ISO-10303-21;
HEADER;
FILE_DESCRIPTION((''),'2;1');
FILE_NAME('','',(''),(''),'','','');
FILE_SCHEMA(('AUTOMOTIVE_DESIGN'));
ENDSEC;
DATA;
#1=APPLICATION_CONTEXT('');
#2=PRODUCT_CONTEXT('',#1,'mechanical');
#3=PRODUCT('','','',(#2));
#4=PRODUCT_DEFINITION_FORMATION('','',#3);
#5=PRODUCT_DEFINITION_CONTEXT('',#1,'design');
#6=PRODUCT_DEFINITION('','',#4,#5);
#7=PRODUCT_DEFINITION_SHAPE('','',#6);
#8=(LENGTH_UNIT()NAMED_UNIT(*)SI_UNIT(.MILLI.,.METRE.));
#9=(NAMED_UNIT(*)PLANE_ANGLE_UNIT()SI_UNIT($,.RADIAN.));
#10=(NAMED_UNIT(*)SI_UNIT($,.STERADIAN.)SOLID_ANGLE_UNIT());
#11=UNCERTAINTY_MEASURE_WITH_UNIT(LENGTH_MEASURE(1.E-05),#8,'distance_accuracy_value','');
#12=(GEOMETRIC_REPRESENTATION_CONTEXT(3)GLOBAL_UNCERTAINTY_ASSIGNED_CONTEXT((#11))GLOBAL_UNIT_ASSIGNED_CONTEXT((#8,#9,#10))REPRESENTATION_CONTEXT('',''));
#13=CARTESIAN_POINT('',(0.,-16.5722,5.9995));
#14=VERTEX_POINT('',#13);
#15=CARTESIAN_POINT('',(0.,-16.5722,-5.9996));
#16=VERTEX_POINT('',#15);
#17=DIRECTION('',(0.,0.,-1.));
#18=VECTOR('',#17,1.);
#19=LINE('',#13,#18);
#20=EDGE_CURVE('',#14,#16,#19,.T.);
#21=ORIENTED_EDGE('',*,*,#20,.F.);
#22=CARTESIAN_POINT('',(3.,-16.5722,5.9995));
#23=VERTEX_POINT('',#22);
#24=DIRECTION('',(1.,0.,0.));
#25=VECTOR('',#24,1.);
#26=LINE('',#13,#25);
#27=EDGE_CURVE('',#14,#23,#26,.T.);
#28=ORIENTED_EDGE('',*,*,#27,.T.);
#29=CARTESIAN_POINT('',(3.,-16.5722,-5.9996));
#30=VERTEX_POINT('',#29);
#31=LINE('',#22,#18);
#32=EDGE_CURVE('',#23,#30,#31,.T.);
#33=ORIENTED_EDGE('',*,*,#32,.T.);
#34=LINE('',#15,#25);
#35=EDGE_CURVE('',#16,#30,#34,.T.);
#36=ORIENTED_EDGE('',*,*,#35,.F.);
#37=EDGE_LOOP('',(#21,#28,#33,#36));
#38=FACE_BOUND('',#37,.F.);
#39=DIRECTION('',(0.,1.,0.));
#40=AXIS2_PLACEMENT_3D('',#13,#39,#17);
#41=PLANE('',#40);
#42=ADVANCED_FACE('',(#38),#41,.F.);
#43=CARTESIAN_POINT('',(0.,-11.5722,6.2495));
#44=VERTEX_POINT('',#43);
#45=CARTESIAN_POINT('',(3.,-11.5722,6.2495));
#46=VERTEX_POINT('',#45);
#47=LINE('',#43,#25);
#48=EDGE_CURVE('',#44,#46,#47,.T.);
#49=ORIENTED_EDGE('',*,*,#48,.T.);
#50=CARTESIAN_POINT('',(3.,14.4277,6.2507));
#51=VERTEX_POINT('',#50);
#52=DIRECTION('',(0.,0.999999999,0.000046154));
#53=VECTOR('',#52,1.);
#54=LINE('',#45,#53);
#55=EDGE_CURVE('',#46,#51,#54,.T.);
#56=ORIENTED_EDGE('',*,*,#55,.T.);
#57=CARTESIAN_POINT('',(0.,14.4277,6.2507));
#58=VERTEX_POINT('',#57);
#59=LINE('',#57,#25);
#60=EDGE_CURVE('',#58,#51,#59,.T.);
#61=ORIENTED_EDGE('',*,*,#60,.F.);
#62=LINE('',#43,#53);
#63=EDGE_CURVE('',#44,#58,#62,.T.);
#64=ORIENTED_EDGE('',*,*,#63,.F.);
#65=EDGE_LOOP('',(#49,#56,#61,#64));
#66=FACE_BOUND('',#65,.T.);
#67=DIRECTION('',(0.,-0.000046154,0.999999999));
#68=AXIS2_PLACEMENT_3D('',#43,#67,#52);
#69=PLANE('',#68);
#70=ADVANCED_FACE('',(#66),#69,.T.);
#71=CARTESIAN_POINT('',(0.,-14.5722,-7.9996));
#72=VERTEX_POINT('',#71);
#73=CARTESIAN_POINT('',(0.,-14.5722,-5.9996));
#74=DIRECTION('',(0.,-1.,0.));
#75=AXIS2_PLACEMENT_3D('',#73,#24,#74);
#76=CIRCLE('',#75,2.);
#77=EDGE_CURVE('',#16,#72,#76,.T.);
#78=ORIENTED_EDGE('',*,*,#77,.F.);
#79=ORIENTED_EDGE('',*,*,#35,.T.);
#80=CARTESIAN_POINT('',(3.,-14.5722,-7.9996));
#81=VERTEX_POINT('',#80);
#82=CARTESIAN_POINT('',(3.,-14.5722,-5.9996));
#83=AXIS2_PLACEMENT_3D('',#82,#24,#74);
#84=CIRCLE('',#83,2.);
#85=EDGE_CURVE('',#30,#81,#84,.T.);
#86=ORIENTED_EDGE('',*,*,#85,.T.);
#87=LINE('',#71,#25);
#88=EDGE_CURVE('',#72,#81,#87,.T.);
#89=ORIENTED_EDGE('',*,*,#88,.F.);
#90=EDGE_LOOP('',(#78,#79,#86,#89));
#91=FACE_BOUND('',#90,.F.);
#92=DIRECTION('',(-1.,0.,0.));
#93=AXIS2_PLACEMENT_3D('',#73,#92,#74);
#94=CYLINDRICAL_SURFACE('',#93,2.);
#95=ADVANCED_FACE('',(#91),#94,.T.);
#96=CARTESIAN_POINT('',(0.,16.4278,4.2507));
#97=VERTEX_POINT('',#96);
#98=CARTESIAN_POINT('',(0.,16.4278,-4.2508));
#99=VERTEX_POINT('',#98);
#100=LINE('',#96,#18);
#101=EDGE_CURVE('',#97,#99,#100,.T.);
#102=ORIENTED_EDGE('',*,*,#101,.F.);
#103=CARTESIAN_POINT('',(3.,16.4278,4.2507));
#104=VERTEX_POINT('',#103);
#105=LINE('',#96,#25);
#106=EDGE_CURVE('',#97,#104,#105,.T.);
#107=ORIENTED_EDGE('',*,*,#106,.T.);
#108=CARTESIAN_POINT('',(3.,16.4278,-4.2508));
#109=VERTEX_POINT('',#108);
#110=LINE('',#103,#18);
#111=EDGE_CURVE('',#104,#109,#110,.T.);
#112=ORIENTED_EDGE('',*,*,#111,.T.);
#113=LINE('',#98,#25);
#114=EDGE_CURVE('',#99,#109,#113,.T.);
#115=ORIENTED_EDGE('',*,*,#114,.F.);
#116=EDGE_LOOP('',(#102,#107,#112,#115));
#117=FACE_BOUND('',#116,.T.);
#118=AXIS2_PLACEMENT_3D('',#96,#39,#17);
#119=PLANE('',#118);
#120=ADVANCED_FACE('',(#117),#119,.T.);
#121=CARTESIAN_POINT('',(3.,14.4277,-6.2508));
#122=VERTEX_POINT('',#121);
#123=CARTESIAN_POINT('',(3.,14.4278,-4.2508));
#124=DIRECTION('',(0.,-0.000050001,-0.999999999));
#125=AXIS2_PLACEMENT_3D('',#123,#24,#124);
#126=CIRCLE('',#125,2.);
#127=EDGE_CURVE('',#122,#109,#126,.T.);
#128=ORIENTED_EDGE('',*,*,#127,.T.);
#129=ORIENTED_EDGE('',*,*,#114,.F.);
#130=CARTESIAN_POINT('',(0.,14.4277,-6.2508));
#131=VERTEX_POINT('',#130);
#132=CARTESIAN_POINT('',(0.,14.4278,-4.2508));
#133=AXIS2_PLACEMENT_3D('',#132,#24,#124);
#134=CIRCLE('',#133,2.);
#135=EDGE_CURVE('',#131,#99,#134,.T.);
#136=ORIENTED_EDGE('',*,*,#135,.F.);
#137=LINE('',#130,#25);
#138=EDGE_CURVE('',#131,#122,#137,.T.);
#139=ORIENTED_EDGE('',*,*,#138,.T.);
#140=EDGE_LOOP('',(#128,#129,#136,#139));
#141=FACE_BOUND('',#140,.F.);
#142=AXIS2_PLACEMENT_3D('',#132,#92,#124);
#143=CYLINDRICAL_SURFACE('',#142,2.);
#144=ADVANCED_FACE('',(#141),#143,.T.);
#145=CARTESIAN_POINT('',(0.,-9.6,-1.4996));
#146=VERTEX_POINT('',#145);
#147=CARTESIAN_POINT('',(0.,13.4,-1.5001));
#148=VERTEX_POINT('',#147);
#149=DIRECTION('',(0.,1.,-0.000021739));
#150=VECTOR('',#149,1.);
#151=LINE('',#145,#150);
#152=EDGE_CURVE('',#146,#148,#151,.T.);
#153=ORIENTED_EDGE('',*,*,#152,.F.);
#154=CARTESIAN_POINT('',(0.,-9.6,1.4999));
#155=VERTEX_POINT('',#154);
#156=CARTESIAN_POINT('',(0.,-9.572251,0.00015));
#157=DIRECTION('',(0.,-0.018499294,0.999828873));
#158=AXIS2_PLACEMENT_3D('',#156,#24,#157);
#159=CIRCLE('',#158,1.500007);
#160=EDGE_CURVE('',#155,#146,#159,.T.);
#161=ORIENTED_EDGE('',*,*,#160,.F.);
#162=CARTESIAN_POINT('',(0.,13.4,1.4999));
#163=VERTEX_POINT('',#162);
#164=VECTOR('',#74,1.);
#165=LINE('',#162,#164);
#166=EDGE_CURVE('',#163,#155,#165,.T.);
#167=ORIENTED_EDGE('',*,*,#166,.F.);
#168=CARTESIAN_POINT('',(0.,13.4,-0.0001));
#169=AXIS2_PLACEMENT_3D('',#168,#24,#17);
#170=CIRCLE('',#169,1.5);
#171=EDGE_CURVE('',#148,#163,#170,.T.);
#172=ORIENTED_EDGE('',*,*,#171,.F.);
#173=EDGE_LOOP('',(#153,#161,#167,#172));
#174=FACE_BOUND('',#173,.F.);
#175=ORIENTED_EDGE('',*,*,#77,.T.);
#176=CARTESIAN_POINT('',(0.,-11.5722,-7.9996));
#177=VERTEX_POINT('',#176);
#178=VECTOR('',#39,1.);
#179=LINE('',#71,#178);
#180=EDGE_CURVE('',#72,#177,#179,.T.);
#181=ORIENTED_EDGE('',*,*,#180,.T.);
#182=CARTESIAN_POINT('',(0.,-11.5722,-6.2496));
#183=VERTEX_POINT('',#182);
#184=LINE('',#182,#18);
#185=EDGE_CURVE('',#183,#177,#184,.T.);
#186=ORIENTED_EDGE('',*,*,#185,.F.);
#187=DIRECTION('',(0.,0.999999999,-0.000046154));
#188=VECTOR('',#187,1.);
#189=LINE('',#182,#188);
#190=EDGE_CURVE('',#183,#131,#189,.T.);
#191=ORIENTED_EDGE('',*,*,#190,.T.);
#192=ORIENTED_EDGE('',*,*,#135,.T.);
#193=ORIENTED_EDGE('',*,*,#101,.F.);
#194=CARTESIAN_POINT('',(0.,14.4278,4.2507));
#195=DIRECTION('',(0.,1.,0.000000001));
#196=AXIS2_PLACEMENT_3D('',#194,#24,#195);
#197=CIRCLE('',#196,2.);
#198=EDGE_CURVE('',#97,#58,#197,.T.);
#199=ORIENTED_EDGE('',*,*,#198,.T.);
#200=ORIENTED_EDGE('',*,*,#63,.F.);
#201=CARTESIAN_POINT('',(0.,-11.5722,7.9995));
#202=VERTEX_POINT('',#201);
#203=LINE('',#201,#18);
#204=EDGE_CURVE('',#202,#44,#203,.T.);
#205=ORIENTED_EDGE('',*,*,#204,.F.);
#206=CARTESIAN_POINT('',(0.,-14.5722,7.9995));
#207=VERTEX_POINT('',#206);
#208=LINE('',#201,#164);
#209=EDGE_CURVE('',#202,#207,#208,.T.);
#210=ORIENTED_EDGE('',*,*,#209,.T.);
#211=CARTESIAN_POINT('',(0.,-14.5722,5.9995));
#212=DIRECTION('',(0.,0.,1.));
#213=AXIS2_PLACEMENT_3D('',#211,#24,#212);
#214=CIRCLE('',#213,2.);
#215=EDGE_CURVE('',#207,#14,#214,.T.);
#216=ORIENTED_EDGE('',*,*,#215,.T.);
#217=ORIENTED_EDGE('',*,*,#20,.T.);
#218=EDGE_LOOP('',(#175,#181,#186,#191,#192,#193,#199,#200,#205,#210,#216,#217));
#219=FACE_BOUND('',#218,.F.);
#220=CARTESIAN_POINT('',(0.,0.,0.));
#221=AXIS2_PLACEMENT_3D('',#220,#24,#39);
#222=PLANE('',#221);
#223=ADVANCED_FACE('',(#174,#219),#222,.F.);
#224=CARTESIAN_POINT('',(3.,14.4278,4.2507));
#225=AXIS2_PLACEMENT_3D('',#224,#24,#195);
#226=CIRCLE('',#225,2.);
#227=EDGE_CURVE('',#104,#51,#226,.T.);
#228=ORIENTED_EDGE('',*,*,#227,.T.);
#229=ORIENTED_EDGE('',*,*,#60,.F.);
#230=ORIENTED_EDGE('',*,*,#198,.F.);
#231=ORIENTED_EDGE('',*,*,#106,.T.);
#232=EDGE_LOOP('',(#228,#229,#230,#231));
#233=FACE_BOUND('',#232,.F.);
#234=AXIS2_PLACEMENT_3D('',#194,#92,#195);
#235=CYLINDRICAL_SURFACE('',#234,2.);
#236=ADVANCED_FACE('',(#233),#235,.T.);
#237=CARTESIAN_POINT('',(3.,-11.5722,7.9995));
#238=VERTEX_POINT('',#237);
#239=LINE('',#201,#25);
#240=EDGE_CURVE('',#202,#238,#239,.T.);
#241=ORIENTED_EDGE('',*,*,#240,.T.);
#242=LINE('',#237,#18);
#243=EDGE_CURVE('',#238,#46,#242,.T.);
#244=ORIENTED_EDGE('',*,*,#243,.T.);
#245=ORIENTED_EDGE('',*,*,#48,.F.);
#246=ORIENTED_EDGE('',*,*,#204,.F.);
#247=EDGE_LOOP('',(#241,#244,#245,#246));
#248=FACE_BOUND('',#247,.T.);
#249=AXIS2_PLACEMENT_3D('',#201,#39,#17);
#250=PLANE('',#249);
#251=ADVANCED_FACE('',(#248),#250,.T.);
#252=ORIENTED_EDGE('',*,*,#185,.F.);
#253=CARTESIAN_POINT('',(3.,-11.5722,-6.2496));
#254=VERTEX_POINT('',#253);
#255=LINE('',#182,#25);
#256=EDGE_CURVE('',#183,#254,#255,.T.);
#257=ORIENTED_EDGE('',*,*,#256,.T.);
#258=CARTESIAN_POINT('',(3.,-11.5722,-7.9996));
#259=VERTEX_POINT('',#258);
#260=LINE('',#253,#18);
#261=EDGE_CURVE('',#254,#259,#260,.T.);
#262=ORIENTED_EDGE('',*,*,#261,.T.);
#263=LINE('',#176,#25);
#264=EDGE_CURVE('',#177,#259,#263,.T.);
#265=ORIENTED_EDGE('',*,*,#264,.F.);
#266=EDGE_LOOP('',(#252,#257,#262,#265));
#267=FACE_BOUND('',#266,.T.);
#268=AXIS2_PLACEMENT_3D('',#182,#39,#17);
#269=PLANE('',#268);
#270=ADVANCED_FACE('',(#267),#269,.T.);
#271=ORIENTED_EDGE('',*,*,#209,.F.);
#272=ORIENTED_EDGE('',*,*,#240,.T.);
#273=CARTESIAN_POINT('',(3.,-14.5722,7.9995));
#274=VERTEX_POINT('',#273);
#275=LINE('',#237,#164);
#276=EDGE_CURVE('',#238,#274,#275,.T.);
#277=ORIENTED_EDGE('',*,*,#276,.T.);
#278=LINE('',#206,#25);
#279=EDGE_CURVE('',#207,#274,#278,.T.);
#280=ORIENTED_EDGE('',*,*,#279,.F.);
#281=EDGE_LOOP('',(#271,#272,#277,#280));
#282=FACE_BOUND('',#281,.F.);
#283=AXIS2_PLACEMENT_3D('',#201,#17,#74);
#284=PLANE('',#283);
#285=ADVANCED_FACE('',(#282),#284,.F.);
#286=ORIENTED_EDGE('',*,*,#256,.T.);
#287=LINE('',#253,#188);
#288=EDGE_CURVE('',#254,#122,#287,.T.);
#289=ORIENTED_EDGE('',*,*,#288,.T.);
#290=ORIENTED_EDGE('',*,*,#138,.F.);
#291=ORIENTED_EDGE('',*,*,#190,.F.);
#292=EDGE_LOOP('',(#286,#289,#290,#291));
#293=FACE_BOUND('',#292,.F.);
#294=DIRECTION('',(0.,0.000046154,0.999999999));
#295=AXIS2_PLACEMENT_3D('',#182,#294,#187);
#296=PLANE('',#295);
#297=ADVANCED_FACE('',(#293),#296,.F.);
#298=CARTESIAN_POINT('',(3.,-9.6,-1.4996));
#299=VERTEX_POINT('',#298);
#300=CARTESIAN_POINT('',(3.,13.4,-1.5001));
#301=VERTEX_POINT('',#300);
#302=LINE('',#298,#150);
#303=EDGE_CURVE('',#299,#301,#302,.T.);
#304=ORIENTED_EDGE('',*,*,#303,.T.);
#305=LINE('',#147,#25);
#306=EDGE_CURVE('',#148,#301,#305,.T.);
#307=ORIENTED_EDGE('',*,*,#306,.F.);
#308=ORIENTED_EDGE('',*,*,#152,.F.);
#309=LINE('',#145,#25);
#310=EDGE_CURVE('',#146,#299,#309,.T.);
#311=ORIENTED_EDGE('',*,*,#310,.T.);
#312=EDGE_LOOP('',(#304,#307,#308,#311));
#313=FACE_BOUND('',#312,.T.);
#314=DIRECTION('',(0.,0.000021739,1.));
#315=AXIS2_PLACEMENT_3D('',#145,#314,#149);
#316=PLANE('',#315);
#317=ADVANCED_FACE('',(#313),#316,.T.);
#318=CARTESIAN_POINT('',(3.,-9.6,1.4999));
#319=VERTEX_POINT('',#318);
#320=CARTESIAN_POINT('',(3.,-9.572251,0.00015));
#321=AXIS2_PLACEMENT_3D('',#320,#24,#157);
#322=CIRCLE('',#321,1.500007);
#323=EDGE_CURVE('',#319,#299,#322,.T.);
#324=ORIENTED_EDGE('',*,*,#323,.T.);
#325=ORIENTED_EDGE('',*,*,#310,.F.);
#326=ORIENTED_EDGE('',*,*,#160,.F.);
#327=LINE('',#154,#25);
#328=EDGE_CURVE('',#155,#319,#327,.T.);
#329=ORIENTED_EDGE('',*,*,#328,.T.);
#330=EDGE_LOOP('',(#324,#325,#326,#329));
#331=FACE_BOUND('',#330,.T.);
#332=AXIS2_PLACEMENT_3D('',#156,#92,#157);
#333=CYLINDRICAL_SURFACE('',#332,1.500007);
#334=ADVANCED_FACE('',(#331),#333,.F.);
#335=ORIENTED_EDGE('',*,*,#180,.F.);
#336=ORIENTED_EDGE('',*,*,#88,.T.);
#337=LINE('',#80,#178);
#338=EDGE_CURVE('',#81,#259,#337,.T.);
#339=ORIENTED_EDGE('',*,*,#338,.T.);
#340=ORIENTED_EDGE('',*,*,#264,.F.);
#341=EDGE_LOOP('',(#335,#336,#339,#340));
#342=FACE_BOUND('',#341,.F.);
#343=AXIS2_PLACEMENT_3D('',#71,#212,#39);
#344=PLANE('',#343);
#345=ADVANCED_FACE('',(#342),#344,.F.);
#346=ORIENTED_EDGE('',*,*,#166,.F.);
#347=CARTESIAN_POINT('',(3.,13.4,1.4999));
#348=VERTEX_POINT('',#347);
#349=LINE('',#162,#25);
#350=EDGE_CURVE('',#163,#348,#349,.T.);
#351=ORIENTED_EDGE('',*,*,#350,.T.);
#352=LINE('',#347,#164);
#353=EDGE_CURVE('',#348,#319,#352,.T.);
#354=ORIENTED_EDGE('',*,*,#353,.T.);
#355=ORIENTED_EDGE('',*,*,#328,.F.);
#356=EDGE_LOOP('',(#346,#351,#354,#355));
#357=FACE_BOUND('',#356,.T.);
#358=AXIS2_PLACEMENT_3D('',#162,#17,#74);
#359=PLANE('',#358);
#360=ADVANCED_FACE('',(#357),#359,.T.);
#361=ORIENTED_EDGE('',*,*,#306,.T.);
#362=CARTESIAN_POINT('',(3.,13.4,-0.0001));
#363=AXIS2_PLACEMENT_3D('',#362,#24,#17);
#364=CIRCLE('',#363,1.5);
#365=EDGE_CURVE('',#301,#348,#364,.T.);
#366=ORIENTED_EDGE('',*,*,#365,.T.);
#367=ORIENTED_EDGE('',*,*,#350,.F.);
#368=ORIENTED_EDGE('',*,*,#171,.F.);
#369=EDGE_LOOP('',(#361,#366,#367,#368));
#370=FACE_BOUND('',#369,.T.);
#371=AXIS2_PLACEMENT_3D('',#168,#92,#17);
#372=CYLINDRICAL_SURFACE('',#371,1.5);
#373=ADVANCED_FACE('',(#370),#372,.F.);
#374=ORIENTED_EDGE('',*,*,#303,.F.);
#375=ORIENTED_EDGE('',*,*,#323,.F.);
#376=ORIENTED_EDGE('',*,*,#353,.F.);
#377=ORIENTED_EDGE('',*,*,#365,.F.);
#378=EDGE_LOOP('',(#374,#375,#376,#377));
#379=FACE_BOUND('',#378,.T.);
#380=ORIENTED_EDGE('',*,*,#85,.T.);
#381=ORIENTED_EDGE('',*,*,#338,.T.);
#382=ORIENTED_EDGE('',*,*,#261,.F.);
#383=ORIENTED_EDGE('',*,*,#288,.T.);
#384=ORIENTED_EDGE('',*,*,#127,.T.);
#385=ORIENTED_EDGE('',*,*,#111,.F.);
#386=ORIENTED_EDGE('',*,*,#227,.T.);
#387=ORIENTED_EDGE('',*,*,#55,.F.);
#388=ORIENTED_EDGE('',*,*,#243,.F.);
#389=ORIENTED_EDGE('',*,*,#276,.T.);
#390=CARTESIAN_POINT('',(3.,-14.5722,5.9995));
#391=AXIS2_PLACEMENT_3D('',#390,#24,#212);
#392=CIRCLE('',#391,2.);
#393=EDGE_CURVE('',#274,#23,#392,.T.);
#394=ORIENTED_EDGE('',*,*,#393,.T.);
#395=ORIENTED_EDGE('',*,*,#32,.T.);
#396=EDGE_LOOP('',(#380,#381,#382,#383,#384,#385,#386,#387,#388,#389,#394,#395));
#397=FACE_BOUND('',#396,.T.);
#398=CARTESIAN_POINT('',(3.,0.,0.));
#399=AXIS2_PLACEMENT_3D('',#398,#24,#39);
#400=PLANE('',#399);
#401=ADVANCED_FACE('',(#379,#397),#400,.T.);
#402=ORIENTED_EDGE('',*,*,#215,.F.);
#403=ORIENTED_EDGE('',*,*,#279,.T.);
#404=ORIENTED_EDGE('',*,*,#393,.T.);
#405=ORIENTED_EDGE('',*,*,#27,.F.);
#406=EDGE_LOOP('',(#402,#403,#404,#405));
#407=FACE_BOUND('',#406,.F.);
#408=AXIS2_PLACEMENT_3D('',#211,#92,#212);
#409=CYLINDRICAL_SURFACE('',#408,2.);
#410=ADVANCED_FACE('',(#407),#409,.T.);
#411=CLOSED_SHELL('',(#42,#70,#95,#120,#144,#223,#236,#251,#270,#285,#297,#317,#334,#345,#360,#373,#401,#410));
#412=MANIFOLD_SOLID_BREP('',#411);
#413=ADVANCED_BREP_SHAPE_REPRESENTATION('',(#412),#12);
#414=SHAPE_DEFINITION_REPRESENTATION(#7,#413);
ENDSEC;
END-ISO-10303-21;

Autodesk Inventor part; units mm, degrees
ref_plane "YZ Plane" through (0, 0, 0) normal (1, 0, 0) x (0, 1, 0)
ref_plane "XZ Plane" through (0, 0, 0) normal (0, 1, 0) x (-1, 0, 0)
ref_plane "XY Plane" through (0, 0, 0) normal (0, 0, 1) x (1, 0, 0)
sketch "Sketch1" plane through (0, 0, 0) normal (1, 0, 0) x (0, 1, 0)
  line L0 (-11.5722, 7.9995) -> (-14.5722, 7.9995)
  line L1 (-16.5722, 5.9995) -> (-16.5722, -5.9996)
  line L2 (-14.5722, -7.9996) -> (-11.5722, -7.9996)
  line L3 (16.4278, 8.0004) -> (-16.5722, -7.9996) construction
  line L4 (-11.5722, 7.9995) -> (-11.5722, 6.2495)
  line L5 (-11.5722, 6.2495) -> (14.4277, 6.2507)
  line L6 (-11.5722, -6.2496) -> (14.4277, -6.2508)
  line L7 (-11.5722, 7.9995) -> (-11.5722, 6.2495)
  line L8 (-11.5722, -6.2496) -> (-11.5722, -7.9996)
  arc A0 (-14.5722, 7.9995) -> (-16.5722, 5.9995) centre (-14.5722, 5.9995) ccw
  arc A1 (-16.5722, -5.9996) -> (-14.5722, -7.9996) centre (-14.5722, -5.9996) ccw
  line L9 (-16.5722, 7.9995) -> (-3.1229, 1.4787) construction
  line L10 (-2.3653, 1.1122) -> (16.4278, -7.9996) construction
  arc A2 (13.4, -1.5001) -> (13.4, 1.4999) centre (13.4, -0.0001) ccw
  arc A3 (-9.6, 1.4999) -> (-9.6, -1.4996) centre (-9.5722, 0.0001) ccw
  line L11 (13.4, 1.4999) -> (-9.6, 1.4999)
  line L12 (-9.6, -1.4996) -> (13.4, -1.5001)
  line L13 (16.4278, 4.2507) -> (16.4278, -4.2508)
  arc A4 (16.4278, 4.2507) -> (14.4277, 6.2507) centre (14.4278, 4.2507) ccw
  arc A5 (14.4277, -6.2508) -> (16.4278, -4.2508) centre (14.4278, -4.2508) ccw
  point P0 (16.4278, 6.2508)
  point P1 (16.4278, -6.2509)
  dimension "d1" = 16
  dimension "d3" = 1.75
  dimension "d5" = 2
  dimension "d14" = 1.75
  dimension "d18" = 3
  dimension "d19" = 3
  dimension "d21" = 2
  dimension "d24" = 28
  dimension "d25" = 2
  dimension "d26" = 5
extrude "Extrusion3" add sketch "Sketch1" along normal blind 3
properties part number "Ga motor 1"
